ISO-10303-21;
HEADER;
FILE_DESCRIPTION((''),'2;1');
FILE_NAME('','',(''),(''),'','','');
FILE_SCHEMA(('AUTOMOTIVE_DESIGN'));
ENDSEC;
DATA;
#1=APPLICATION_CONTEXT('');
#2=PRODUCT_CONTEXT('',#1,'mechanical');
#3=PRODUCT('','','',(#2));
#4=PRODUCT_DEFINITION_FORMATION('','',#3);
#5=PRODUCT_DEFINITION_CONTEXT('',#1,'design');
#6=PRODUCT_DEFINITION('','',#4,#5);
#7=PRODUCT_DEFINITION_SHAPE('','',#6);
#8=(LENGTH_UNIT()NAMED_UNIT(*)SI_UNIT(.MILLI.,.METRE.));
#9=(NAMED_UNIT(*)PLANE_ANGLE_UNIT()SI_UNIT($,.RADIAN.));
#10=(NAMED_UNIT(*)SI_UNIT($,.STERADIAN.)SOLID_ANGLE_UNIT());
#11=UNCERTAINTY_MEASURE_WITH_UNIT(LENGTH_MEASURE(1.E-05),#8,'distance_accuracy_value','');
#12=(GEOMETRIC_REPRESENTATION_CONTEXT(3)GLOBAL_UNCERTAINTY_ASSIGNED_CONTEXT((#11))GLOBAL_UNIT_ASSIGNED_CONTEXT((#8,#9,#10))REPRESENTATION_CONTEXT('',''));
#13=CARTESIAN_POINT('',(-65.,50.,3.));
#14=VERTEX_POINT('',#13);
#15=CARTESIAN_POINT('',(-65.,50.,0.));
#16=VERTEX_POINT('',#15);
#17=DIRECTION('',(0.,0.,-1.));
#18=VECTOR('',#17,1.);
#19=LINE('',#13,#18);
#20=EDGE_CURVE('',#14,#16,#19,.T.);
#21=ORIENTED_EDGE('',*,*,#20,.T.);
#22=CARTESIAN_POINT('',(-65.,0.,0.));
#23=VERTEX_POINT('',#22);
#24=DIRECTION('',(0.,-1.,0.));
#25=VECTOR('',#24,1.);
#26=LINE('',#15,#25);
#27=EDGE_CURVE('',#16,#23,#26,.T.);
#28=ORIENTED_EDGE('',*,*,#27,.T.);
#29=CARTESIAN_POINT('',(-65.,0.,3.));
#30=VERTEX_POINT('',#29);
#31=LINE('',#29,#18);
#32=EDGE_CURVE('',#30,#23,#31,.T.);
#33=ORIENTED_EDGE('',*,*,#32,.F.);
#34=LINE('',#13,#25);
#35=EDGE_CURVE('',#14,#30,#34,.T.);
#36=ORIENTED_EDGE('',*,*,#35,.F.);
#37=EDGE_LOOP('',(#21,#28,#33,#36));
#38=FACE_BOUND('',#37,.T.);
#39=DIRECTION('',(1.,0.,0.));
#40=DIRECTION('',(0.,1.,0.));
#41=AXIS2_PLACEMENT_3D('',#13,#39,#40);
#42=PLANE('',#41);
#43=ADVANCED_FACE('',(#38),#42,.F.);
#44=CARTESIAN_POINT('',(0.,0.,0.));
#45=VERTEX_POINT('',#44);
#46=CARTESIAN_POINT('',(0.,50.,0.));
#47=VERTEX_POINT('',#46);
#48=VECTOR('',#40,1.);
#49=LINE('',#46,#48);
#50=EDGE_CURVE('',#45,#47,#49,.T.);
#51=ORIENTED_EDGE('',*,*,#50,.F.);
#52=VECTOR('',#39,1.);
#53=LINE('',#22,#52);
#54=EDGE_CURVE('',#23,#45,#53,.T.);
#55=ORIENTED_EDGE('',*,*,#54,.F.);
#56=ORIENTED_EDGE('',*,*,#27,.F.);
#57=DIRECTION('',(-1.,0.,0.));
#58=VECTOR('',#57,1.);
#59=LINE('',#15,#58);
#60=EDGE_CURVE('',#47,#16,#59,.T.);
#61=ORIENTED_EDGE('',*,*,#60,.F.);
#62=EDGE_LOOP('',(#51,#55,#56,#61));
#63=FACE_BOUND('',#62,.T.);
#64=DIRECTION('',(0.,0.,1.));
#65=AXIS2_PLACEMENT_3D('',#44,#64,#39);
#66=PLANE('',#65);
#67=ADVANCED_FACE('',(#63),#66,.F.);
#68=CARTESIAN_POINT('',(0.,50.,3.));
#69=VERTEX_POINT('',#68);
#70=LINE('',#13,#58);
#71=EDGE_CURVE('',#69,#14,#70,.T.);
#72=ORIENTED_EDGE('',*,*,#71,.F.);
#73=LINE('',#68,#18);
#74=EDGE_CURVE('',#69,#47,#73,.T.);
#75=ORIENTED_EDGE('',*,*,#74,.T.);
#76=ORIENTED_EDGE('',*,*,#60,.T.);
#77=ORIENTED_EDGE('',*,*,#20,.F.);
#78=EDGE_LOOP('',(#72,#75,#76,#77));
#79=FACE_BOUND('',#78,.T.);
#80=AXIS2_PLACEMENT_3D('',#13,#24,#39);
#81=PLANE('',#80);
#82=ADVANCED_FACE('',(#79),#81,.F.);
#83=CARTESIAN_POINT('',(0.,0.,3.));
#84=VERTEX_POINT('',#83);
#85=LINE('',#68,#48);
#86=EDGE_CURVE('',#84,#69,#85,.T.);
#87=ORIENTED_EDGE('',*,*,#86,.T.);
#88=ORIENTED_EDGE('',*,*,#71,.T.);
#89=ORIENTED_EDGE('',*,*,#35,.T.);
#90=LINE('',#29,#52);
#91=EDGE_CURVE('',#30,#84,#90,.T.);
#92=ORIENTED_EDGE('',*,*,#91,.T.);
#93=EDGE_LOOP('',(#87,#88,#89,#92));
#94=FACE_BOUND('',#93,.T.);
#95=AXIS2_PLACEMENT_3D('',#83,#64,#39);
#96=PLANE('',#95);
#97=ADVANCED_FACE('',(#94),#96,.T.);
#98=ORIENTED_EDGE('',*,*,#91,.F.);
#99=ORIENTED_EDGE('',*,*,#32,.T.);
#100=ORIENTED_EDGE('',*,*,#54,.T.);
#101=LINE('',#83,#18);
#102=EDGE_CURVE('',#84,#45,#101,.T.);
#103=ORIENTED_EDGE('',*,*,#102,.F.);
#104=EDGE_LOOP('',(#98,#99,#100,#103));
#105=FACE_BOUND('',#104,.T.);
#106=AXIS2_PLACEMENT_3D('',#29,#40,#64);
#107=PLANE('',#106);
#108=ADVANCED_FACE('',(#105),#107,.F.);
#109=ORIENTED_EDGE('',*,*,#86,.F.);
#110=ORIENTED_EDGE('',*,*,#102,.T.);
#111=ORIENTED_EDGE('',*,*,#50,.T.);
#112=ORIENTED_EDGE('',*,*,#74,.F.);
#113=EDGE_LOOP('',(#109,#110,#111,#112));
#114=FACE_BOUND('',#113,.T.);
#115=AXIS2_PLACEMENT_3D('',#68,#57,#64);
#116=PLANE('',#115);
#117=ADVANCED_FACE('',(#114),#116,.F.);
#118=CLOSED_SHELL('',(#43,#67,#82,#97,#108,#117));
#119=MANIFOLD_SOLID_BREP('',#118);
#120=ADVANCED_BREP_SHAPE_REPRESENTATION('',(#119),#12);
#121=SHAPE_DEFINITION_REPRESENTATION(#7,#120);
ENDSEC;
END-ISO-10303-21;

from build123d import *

# Parameters (mm, degrees)
SKETCH1_W           = 65
SKETCH1_H           = 50
BOSS_EXTRUDE1_DEPTH = 3


with BuildPart() as part:
    # Sketch1 → Boss-Extrude1 (new body)
    with BuildSketch(Plane.XY):
        with Locations((-32.5, 25)):
            Rectangle(SKETCH1_W, SKETCH1_H)
    extrude(amount=BOSS_EXTRUDE1_DEPTH)


solid = part.part
